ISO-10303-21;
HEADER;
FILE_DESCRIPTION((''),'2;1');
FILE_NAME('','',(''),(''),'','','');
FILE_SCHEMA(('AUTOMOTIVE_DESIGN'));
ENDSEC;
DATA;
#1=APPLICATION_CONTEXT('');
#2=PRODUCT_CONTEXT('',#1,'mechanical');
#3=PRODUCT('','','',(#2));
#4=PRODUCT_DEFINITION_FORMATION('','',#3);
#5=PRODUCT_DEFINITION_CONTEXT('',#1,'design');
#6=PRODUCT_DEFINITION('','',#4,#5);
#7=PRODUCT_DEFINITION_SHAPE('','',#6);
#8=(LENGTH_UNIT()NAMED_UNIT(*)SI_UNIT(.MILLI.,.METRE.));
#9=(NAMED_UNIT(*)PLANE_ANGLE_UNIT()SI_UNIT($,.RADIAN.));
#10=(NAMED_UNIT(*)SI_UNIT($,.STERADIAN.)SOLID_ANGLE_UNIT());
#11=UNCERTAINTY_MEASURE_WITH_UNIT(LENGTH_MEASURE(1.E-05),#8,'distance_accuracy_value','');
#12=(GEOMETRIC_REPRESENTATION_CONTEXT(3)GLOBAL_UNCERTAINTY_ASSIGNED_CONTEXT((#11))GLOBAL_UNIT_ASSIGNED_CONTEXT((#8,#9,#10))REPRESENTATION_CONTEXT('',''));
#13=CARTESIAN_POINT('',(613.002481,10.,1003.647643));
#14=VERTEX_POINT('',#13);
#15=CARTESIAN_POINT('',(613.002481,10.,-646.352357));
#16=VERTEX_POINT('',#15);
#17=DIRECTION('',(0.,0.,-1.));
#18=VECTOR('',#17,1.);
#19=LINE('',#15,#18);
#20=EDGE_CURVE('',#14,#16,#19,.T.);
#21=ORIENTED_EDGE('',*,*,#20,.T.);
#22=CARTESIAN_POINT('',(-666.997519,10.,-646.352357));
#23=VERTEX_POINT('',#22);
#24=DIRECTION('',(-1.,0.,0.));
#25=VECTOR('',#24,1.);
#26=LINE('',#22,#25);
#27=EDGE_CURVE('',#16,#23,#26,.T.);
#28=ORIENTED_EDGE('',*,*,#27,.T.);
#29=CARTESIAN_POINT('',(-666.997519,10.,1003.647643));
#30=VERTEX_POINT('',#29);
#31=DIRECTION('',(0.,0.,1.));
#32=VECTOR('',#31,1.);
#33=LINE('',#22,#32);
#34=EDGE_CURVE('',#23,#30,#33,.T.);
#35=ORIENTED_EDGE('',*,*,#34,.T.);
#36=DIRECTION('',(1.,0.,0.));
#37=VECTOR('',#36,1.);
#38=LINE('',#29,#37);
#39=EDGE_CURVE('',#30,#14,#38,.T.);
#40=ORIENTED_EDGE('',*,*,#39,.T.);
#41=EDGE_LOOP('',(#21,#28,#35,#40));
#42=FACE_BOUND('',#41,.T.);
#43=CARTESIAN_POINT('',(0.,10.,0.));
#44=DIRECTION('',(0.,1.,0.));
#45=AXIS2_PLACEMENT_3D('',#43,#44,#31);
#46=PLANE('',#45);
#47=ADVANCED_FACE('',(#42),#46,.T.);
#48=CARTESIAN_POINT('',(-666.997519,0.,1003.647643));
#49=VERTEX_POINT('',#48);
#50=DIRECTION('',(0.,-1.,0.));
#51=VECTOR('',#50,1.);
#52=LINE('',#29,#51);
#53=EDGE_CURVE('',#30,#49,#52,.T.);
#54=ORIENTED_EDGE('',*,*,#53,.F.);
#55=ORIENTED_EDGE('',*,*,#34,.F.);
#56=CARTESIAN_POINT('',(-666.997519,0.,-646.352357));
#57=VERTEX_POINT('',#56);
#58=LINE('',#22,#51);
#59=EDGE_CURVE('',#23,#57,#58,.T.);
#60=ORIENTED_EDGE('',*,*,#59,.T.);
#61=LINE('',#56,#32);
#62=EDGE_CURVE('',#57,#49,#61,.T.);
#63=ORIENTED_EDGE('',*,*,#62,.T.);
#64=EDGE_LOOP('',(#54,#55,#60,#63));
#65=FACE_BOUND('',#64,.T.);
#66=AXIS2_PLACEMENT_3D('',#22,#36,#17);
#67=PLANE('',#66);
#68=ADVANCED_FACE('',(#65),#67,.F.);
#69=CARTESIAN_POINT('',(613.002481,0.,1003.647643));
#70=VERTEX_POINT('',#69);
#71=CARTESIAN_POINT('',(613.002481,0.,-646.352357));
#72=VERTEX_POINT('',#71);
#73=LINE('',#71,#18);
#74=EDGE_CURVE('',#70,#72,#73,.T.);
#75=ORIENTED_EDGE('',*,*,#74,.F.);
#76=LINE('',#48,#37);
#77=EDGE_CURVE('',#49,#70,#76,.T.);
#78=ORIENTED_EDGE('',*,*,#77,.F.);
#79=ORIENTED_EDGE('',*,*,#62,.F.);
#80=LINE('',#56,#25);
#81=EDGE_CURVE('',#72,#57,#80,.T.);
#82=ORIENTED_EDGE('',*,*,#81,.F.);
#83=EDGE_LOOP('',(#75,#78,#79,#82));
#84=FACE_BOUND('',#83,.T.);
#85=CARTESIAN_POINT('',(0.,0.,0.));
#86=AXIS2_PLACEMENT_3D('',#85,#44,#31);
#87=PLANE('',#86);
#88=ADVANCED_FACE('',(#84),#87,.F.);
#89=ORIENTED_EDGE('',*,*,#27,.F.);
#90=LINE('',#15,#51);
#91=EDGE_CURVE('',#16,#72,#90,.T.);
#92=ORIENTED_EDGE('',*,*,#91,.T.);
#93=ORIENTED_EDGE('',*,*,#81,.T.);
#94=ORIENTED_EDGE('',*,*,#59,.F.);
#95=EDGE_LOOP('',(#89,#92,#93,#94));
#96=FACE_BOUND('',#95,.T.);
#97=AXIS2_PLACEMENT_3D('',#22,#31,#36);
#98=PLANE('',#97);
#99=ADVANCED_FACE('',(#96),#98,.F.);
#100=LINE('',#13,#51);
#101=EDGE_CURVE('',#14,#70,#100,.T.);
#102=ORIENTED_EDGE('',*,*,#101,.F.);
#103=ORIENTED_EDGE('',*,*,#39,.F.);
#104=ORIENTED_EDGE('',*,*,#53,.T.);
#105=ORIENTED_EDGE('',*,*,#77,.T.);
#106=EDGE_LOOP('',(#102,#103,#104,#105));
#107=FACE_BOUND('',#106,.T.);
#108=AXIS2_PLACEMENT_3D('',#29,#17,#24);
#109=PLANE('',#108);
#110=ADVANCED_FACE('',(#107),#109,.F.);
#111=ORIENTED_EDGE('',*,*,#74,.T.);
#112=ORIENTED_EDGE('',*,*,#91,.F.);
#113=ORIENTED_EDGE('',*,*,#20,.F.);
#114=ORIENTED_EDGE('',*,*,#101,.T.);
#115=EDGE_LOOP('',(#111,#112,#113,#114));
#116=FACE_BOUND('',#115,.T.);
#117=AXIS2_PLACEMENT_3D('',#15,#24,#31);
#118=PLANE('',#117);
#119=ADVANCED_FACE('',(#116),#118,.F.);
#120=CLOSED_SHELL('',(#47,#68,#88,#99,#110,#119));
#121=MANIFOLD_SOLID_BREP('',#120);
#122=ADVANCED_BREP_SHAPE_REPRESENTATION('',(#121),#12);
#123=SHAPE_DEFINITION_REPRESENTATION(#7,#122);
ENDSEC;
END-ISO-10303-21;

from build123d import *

# Parameters (mm, degrees)
SKETCH1_W           = 1280
SKETCH1_H           = 1650
BOSS_EXTRUDE1_DEPTH = 10


with BuildPart() as part:
    # Sketch1 → Boss-Extrude1 (new body)
    with BuildSketch(Plane(origin=(0, 0, 0), x_dir=(1, 0, 0), z_dir=(0, 1, 0))):
        with Locations((-26.99751861, -178.64764268)):
            Rectangle(SKETCH1_W, SKETCH1_H)
    extrude(amount=BOSS_EXTRUDE1_DEPTH)


solid = part.part
